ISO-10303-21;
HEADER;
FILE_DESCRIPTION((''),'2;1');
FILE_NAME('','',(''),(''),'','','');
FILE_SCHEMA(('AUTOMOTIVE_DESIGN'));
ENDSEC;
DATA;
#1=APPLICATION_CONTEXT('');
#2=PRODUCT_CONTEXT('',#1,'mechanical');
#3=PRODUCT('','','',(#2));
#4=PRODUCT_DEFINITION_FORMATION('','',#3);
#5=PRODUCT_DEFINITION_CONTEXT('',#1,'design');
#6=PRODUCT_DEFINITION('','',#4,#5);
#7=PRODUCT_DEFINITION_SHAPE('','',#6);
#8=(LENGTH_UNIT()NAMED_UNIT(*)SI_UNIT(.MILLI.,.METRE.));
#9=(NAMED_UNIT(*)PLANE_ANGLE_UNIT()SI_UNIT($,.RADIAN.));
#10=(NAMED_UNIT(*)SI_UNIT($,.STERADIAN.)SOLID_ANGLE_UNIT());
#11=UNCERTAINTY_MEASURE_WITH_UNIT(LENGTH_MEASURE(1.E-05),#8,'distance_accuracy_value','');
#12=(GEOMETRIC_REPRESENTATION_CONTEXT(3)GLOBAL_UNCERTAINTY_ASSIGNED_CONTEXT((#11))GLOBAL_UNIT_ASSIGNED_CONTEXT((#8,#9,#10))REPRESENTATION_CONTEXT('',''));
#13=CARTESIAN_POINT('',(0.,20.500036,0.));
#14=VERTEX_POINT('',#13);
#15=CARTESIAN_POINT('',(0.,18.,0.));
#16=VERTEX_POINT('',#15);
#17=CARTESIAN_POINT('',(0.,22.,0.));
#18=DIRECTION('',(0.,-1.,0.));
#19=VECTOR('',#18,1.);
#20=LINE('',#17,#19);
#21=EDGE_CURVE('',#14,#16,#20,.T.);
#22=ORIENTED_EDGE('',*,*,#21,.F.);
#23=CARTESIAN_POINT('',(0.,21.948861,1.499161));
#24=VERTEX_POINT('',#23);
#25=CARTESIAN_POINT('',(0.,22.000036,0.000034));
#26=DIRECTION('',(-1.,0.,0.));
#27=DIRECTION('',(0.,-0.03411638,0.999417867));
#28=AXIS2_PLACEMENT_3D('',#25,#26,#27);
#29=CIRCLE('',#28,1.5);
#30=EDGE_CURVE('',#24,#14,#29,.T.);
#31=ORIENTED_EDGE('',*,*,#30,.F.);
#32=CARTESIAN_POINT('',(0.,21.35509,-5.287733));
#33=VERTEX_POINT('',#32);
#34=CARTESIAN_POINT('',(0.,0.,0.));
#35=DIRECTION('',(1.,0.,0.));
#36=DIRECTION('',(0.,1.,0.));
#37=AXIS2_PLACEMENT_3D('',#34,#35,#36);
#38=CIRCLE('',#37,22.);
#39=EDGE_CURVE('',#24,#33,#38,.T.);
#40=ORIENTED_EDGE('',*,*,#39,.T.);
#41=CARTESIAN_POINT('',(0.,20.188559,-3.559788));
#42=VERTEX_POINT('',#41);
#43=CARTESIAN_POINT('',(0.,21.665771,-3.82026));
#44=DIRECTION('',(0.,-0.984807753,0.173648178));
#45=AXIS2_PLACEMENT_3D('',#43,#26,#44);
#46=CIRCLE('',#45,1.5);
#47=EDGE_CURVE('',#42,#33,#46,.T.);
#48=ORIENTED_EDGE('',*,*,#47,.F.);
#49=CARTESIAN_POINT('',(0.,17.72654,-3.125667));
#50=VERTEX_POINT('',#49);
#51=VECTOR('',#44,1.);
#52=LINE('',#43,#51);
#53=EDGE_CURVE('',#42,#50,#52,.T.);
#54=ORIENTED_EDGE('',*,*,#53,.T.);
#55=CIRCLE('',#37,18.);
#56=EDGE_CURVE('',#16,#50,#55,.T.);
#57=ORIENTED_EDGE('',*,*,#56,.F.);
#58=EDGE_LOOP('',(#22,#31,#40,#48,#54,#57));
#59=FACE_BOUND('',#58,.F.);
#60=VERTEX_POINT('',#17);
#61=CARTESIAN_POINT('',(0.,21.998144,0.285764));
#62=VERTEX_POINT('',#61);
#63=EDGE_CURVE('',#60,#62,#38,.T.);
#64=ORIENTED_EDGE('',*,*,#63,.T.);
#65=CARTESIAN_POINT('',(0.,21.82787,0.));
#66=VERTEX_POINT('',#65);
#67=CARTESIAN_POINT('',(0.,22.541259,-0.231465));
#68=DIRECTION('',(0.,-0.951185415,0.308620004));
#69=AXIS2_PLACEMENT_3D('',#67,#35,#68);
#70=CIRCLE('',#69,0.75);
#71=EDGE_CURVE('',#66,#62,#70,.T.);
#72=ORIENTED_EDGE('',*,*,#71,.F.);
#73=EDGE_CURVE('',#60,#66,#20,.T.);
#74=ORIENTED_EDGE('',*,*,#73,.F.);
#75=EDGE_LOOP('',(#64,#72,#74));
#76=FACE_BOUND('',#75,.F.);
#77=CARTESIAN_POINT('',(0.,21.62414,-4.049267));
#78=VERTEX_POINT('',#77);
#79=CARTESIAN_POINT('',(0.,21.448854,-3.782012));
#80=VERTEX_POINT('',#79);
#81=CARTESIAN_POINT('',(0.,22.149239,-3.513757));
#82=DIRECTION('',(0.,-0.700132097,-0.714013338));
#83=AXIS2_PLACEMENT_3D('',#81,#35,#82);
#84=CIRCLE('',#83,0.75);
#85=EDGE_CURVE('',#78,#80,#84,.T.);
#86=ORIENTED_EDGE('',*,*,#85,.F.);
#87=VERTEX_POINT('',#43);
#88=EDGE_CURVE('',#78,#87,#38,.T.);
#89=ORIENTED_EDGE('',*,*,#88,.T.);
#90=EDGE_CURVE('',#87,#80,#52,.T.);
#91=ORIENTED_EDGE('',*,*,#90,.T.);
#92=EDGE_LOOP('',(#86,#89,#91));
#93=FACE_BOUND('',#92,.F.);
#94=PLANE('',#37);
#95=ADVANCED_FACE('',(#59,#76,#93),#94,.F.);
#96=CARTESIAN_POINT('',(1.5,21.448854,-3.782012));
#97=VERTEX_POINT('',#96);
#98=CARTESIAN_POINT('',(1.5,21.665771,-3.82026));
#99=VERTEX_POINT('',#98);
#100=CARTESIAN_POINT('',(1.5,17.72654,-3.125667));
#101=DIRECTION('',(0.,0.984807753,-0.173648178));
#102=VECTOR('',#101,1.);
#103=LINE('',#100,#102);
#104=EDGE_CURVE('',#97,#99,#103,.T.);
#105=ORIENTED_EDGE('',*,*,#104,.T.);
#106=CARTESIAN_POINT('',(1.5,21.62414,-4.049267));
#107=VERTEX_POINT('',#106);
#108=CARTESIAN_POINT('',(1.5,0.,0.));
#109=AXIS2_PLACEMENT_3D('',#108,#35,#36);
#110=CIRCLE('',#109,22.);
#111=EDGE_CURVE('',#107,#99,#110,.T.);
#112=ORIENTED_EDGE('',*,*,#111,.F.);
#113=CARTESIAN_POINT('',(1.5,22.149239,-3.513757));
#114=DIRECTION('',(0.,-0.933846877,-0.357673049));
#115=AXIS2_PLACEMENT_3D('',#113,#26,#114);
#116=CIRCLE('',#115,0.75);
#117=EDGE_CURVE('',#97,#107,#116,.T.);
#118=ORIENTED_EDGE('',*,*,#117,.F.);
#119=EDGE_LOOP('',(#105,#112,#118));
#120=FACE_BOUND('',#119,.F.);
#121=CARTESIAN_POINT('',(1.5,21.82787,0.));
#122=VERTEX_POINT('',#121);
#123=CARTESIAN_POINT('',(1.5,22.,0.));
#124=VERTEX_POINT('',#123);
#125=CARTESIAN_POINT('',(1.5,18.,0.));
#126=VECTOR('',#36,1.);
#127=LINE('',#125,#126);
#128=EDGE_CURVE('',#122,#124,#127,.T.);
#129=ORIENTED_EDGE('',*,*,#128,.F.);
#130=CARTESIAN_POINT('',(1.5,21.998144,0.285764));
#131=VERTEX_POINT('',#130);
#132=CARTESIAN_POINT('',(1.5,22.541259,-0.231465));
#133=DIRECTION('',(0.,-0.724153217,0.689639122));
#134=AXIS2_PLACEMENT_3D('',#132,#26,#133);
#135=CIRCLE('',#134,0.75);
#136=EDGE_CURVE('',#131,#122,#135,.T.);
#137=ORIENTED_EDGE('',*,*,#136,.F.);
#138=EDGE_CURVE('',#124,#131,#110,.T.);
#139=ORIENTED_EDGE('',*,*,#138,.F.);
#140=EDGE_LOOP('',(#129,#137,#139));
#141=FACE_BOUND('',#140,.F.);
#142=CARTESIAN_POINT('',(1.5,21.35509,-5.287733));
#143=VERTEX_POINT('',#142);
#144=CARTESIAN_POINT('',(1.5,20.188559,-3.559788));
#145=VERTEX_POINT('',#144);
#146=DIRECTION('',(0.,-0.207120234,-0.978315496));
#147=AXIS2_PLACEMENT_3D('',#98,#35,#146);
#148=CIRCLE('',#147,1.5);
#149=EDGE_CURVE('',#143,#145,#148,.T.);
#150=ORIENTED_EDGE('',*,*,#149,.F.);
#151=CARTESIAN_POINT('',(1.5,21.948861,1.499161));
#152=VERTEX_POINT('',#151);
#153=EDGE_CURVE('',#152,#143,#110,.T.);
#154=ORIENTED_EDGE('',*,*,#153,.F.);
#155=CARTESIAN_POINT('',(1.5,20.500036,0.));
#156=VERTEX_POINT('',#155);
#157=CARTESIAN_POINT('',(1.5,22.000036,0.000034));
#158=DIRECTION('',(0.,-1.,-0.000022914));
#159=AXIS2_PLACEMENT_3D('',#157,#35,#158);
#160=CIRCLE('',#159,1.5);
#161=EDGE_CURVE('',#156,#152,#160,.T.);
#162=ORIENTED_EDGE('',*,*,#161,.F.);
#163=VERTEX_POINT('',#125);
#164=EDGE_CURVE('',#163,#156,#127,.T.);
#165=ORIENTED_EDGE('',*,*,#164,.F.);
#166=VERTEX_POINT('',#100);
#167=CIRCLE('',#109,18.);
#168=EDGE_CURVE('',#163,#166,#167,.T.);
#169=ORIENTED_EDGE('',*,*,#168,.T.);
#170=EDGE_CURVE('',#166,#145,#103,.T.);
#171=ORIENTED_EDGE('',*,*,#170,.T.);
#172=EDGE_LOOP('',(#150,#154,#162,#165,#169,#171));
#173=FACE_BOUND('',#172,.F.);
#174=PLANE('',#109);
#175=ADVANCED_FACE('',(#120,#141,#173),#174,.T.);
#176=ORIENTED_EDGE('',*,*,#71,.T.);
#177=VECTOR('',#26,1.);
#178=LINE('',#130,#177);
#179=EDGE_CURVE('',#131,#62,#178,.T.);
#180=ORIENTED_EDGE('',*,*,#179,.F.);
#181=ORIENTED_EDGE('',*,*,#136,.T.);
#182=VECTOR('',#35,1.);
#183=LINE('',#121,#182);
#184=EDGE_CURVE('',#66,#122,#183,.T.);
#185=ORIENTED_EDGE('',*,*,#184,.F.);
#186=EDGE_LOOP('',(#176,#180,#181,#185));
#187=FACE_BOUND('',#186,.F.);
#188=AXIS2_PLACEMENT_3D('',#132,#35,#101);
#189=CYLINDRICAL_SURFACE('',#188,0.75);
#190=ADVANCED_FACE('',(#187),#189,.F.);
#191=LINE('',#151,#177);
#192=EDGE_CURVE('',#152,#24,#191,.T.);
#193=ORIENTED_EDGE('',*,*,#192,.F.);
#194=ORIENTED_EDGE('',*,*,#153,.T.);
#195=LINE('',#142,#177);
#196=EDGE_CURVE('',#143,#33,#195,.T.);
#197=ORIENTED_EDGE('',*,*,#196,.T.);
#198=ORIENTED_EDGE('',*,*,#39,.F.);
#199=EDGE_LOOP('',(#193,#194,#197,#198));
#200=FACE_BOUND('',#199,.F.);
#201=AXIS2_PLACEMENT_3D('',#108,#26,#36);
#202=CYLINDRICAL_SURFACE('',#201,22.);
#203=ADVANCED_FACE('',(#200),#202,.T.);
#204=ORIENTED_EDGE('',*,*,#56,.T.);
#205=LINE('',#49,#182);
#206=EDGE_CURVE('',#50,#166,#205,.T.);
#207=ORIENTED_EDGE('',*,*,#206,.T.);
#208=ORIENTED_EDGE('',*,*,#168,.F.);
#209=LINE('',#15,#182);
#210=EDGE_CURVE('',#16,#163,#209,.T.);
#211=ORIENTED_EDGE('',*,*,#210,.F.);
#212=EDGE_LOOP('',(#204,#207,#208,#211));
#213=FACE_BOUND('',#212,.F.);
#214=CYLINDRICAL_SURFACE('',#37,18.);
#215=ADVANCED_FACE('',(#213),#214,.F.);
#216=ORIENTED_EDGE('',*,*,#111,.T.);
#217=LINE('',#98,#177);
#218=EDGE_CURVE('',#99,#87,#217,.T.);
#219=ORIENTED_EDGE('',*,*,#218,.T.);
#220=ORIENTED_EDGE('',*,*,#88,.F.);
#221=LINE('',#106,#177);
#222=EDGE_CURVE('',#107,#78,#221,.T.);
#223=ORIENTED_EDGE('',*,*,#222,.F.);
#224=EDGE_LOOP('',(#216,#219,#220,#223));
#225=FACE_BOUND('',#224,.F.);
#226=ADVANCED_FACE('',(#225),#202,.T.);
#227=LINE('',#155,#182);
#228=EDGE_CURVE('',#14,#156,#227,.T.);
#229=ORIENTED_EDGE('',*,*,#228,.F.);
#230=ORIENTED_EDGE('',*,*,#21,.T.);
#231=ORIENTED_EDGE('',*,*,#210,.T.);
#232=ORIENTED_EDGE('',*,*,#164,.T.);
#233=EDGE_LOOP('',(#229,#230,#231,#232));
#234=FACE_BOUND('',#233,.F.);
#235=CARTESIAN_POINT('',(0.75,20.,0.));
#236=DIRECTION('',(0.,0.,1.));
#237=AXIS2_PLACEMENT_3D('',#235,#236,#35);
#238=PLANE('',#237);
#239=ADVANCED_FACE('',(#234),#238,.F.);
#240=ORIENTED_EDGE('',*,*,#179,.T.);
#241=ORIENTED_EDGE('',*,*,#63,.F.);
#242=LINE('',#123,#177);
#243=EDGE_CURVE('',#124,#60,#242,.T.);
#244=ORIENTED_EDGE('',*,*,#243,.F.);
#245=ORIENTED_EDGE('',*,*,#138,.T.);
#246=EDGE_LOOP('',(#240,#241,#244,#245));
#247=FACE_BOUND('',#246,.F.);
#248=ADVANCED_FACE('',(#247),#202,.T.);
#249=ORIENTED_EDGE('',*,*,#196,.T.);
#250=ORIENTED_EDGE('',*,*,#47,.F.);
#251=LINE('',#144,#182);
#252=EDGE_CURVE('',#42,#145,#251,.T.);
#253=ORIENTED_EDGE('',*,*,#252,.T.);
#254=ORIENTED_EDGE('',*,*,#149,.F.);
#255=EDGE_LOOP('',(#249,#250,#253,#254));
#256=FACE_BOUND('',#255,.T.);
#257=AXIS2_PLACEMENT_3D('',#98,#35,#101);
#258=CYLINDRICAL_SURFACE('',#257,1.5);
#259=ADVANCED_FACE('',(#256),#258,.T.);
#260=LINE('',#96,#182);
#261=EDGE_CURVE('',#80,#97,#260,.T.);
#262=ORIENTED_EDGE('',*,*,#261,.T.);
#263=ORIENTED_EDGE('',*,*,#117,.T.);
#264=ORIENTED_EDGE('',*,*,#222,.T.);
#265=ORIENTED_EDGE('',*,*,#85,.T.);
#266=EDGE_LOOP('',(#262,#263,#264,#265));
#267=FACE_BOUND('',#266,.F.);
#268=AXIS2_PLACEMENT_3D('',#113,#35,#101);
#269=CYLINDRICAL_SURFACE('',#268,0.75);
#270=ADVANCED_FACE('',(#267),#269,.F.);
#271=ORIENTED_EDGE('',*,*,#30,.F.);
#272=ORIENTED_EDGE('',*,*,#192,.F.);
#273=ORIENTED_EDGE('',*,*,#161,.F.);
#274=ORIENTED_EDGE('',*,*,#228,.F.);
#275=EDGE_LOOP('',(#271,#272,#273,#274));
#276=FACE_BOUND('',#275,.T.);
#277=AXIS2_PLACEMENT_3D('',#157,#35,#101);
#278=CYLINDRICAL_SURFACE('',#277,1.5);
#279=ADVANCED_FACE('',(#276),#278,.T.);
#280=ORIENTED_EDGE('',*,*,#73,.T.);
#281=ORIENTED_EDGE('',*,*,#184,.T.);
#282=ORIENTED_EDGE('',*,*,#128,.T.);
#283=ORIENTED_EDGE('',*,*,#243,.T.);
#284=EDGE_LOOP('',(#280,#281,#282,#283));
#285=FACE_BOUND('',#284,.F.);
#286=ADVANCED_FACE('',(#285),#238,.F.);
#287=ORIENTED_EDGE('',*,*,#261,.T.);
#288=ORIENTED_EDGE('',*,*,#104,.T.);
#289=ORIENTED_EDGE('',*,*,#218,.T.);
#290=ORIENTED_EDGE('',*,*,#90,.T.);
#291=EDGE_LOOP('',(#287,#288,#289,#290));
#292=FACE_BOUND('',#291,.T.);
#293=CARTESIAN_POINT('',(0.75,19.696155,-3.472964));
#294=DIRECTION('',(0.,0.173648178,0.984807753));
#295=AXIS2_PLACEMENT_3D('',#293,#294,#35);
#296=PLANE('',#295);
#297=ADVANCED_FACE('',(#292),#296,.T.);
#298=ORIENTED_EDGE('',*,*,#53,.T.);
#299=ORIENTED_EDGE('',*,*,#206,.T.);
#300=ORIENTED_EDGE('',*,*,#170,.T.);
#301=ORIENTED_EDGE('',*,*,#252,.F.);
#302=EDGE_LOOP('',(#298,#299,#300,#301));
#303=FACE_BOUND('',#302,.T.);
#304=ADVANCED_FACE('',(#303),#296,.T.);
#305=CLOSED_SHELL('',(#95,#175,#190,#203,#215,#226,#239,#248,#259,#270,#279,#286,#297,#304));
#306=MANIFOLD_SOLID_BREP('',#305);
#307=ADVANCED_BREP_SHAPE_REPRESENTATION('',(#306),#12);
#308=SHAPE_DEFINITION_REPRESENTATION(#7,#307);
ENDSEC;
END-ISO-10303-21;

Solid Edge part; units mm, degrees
sketch "Sketch1" plane through (0, 0, 0) normal (0, 0, 1) x (1, 0, 0)
  line L0 (0, 18) -> (1.5, 18)
  line L1 (1.5, 18) -> (1.5, 22)
  line L2 (1.5, 22) -> (0, 22)
  line L3 (0, 22) -> (0, 18)
  dimension "D1" = 4
  dimension "D2" = 1.5
  dimension "D3" = 18
revolve "RevolvedProtrusion1" add sketch "Sketch1" angle 350 about axis through (0, 0, 0) along (1, 0, 0)
sketch "Sketch2" plane through (1.5, 0, 0) normal (1, 0, 0) x (0, 0.9848, -0.1736)
  circle A0 centre (21.6658, 3.8203) radius 1.5
  circle A1 centre (22, 0) radius 1.5
  circle A2 centre (22.239, 3.6863) radius 0.75
  circle A3 centre (22.4229, 0.3858) radius 0.75
extrude "ExtrudedProtrusion_1" add sketch "Sketch2" against normal blind 1.5
properties material "Aluminum, 6061-T6"
